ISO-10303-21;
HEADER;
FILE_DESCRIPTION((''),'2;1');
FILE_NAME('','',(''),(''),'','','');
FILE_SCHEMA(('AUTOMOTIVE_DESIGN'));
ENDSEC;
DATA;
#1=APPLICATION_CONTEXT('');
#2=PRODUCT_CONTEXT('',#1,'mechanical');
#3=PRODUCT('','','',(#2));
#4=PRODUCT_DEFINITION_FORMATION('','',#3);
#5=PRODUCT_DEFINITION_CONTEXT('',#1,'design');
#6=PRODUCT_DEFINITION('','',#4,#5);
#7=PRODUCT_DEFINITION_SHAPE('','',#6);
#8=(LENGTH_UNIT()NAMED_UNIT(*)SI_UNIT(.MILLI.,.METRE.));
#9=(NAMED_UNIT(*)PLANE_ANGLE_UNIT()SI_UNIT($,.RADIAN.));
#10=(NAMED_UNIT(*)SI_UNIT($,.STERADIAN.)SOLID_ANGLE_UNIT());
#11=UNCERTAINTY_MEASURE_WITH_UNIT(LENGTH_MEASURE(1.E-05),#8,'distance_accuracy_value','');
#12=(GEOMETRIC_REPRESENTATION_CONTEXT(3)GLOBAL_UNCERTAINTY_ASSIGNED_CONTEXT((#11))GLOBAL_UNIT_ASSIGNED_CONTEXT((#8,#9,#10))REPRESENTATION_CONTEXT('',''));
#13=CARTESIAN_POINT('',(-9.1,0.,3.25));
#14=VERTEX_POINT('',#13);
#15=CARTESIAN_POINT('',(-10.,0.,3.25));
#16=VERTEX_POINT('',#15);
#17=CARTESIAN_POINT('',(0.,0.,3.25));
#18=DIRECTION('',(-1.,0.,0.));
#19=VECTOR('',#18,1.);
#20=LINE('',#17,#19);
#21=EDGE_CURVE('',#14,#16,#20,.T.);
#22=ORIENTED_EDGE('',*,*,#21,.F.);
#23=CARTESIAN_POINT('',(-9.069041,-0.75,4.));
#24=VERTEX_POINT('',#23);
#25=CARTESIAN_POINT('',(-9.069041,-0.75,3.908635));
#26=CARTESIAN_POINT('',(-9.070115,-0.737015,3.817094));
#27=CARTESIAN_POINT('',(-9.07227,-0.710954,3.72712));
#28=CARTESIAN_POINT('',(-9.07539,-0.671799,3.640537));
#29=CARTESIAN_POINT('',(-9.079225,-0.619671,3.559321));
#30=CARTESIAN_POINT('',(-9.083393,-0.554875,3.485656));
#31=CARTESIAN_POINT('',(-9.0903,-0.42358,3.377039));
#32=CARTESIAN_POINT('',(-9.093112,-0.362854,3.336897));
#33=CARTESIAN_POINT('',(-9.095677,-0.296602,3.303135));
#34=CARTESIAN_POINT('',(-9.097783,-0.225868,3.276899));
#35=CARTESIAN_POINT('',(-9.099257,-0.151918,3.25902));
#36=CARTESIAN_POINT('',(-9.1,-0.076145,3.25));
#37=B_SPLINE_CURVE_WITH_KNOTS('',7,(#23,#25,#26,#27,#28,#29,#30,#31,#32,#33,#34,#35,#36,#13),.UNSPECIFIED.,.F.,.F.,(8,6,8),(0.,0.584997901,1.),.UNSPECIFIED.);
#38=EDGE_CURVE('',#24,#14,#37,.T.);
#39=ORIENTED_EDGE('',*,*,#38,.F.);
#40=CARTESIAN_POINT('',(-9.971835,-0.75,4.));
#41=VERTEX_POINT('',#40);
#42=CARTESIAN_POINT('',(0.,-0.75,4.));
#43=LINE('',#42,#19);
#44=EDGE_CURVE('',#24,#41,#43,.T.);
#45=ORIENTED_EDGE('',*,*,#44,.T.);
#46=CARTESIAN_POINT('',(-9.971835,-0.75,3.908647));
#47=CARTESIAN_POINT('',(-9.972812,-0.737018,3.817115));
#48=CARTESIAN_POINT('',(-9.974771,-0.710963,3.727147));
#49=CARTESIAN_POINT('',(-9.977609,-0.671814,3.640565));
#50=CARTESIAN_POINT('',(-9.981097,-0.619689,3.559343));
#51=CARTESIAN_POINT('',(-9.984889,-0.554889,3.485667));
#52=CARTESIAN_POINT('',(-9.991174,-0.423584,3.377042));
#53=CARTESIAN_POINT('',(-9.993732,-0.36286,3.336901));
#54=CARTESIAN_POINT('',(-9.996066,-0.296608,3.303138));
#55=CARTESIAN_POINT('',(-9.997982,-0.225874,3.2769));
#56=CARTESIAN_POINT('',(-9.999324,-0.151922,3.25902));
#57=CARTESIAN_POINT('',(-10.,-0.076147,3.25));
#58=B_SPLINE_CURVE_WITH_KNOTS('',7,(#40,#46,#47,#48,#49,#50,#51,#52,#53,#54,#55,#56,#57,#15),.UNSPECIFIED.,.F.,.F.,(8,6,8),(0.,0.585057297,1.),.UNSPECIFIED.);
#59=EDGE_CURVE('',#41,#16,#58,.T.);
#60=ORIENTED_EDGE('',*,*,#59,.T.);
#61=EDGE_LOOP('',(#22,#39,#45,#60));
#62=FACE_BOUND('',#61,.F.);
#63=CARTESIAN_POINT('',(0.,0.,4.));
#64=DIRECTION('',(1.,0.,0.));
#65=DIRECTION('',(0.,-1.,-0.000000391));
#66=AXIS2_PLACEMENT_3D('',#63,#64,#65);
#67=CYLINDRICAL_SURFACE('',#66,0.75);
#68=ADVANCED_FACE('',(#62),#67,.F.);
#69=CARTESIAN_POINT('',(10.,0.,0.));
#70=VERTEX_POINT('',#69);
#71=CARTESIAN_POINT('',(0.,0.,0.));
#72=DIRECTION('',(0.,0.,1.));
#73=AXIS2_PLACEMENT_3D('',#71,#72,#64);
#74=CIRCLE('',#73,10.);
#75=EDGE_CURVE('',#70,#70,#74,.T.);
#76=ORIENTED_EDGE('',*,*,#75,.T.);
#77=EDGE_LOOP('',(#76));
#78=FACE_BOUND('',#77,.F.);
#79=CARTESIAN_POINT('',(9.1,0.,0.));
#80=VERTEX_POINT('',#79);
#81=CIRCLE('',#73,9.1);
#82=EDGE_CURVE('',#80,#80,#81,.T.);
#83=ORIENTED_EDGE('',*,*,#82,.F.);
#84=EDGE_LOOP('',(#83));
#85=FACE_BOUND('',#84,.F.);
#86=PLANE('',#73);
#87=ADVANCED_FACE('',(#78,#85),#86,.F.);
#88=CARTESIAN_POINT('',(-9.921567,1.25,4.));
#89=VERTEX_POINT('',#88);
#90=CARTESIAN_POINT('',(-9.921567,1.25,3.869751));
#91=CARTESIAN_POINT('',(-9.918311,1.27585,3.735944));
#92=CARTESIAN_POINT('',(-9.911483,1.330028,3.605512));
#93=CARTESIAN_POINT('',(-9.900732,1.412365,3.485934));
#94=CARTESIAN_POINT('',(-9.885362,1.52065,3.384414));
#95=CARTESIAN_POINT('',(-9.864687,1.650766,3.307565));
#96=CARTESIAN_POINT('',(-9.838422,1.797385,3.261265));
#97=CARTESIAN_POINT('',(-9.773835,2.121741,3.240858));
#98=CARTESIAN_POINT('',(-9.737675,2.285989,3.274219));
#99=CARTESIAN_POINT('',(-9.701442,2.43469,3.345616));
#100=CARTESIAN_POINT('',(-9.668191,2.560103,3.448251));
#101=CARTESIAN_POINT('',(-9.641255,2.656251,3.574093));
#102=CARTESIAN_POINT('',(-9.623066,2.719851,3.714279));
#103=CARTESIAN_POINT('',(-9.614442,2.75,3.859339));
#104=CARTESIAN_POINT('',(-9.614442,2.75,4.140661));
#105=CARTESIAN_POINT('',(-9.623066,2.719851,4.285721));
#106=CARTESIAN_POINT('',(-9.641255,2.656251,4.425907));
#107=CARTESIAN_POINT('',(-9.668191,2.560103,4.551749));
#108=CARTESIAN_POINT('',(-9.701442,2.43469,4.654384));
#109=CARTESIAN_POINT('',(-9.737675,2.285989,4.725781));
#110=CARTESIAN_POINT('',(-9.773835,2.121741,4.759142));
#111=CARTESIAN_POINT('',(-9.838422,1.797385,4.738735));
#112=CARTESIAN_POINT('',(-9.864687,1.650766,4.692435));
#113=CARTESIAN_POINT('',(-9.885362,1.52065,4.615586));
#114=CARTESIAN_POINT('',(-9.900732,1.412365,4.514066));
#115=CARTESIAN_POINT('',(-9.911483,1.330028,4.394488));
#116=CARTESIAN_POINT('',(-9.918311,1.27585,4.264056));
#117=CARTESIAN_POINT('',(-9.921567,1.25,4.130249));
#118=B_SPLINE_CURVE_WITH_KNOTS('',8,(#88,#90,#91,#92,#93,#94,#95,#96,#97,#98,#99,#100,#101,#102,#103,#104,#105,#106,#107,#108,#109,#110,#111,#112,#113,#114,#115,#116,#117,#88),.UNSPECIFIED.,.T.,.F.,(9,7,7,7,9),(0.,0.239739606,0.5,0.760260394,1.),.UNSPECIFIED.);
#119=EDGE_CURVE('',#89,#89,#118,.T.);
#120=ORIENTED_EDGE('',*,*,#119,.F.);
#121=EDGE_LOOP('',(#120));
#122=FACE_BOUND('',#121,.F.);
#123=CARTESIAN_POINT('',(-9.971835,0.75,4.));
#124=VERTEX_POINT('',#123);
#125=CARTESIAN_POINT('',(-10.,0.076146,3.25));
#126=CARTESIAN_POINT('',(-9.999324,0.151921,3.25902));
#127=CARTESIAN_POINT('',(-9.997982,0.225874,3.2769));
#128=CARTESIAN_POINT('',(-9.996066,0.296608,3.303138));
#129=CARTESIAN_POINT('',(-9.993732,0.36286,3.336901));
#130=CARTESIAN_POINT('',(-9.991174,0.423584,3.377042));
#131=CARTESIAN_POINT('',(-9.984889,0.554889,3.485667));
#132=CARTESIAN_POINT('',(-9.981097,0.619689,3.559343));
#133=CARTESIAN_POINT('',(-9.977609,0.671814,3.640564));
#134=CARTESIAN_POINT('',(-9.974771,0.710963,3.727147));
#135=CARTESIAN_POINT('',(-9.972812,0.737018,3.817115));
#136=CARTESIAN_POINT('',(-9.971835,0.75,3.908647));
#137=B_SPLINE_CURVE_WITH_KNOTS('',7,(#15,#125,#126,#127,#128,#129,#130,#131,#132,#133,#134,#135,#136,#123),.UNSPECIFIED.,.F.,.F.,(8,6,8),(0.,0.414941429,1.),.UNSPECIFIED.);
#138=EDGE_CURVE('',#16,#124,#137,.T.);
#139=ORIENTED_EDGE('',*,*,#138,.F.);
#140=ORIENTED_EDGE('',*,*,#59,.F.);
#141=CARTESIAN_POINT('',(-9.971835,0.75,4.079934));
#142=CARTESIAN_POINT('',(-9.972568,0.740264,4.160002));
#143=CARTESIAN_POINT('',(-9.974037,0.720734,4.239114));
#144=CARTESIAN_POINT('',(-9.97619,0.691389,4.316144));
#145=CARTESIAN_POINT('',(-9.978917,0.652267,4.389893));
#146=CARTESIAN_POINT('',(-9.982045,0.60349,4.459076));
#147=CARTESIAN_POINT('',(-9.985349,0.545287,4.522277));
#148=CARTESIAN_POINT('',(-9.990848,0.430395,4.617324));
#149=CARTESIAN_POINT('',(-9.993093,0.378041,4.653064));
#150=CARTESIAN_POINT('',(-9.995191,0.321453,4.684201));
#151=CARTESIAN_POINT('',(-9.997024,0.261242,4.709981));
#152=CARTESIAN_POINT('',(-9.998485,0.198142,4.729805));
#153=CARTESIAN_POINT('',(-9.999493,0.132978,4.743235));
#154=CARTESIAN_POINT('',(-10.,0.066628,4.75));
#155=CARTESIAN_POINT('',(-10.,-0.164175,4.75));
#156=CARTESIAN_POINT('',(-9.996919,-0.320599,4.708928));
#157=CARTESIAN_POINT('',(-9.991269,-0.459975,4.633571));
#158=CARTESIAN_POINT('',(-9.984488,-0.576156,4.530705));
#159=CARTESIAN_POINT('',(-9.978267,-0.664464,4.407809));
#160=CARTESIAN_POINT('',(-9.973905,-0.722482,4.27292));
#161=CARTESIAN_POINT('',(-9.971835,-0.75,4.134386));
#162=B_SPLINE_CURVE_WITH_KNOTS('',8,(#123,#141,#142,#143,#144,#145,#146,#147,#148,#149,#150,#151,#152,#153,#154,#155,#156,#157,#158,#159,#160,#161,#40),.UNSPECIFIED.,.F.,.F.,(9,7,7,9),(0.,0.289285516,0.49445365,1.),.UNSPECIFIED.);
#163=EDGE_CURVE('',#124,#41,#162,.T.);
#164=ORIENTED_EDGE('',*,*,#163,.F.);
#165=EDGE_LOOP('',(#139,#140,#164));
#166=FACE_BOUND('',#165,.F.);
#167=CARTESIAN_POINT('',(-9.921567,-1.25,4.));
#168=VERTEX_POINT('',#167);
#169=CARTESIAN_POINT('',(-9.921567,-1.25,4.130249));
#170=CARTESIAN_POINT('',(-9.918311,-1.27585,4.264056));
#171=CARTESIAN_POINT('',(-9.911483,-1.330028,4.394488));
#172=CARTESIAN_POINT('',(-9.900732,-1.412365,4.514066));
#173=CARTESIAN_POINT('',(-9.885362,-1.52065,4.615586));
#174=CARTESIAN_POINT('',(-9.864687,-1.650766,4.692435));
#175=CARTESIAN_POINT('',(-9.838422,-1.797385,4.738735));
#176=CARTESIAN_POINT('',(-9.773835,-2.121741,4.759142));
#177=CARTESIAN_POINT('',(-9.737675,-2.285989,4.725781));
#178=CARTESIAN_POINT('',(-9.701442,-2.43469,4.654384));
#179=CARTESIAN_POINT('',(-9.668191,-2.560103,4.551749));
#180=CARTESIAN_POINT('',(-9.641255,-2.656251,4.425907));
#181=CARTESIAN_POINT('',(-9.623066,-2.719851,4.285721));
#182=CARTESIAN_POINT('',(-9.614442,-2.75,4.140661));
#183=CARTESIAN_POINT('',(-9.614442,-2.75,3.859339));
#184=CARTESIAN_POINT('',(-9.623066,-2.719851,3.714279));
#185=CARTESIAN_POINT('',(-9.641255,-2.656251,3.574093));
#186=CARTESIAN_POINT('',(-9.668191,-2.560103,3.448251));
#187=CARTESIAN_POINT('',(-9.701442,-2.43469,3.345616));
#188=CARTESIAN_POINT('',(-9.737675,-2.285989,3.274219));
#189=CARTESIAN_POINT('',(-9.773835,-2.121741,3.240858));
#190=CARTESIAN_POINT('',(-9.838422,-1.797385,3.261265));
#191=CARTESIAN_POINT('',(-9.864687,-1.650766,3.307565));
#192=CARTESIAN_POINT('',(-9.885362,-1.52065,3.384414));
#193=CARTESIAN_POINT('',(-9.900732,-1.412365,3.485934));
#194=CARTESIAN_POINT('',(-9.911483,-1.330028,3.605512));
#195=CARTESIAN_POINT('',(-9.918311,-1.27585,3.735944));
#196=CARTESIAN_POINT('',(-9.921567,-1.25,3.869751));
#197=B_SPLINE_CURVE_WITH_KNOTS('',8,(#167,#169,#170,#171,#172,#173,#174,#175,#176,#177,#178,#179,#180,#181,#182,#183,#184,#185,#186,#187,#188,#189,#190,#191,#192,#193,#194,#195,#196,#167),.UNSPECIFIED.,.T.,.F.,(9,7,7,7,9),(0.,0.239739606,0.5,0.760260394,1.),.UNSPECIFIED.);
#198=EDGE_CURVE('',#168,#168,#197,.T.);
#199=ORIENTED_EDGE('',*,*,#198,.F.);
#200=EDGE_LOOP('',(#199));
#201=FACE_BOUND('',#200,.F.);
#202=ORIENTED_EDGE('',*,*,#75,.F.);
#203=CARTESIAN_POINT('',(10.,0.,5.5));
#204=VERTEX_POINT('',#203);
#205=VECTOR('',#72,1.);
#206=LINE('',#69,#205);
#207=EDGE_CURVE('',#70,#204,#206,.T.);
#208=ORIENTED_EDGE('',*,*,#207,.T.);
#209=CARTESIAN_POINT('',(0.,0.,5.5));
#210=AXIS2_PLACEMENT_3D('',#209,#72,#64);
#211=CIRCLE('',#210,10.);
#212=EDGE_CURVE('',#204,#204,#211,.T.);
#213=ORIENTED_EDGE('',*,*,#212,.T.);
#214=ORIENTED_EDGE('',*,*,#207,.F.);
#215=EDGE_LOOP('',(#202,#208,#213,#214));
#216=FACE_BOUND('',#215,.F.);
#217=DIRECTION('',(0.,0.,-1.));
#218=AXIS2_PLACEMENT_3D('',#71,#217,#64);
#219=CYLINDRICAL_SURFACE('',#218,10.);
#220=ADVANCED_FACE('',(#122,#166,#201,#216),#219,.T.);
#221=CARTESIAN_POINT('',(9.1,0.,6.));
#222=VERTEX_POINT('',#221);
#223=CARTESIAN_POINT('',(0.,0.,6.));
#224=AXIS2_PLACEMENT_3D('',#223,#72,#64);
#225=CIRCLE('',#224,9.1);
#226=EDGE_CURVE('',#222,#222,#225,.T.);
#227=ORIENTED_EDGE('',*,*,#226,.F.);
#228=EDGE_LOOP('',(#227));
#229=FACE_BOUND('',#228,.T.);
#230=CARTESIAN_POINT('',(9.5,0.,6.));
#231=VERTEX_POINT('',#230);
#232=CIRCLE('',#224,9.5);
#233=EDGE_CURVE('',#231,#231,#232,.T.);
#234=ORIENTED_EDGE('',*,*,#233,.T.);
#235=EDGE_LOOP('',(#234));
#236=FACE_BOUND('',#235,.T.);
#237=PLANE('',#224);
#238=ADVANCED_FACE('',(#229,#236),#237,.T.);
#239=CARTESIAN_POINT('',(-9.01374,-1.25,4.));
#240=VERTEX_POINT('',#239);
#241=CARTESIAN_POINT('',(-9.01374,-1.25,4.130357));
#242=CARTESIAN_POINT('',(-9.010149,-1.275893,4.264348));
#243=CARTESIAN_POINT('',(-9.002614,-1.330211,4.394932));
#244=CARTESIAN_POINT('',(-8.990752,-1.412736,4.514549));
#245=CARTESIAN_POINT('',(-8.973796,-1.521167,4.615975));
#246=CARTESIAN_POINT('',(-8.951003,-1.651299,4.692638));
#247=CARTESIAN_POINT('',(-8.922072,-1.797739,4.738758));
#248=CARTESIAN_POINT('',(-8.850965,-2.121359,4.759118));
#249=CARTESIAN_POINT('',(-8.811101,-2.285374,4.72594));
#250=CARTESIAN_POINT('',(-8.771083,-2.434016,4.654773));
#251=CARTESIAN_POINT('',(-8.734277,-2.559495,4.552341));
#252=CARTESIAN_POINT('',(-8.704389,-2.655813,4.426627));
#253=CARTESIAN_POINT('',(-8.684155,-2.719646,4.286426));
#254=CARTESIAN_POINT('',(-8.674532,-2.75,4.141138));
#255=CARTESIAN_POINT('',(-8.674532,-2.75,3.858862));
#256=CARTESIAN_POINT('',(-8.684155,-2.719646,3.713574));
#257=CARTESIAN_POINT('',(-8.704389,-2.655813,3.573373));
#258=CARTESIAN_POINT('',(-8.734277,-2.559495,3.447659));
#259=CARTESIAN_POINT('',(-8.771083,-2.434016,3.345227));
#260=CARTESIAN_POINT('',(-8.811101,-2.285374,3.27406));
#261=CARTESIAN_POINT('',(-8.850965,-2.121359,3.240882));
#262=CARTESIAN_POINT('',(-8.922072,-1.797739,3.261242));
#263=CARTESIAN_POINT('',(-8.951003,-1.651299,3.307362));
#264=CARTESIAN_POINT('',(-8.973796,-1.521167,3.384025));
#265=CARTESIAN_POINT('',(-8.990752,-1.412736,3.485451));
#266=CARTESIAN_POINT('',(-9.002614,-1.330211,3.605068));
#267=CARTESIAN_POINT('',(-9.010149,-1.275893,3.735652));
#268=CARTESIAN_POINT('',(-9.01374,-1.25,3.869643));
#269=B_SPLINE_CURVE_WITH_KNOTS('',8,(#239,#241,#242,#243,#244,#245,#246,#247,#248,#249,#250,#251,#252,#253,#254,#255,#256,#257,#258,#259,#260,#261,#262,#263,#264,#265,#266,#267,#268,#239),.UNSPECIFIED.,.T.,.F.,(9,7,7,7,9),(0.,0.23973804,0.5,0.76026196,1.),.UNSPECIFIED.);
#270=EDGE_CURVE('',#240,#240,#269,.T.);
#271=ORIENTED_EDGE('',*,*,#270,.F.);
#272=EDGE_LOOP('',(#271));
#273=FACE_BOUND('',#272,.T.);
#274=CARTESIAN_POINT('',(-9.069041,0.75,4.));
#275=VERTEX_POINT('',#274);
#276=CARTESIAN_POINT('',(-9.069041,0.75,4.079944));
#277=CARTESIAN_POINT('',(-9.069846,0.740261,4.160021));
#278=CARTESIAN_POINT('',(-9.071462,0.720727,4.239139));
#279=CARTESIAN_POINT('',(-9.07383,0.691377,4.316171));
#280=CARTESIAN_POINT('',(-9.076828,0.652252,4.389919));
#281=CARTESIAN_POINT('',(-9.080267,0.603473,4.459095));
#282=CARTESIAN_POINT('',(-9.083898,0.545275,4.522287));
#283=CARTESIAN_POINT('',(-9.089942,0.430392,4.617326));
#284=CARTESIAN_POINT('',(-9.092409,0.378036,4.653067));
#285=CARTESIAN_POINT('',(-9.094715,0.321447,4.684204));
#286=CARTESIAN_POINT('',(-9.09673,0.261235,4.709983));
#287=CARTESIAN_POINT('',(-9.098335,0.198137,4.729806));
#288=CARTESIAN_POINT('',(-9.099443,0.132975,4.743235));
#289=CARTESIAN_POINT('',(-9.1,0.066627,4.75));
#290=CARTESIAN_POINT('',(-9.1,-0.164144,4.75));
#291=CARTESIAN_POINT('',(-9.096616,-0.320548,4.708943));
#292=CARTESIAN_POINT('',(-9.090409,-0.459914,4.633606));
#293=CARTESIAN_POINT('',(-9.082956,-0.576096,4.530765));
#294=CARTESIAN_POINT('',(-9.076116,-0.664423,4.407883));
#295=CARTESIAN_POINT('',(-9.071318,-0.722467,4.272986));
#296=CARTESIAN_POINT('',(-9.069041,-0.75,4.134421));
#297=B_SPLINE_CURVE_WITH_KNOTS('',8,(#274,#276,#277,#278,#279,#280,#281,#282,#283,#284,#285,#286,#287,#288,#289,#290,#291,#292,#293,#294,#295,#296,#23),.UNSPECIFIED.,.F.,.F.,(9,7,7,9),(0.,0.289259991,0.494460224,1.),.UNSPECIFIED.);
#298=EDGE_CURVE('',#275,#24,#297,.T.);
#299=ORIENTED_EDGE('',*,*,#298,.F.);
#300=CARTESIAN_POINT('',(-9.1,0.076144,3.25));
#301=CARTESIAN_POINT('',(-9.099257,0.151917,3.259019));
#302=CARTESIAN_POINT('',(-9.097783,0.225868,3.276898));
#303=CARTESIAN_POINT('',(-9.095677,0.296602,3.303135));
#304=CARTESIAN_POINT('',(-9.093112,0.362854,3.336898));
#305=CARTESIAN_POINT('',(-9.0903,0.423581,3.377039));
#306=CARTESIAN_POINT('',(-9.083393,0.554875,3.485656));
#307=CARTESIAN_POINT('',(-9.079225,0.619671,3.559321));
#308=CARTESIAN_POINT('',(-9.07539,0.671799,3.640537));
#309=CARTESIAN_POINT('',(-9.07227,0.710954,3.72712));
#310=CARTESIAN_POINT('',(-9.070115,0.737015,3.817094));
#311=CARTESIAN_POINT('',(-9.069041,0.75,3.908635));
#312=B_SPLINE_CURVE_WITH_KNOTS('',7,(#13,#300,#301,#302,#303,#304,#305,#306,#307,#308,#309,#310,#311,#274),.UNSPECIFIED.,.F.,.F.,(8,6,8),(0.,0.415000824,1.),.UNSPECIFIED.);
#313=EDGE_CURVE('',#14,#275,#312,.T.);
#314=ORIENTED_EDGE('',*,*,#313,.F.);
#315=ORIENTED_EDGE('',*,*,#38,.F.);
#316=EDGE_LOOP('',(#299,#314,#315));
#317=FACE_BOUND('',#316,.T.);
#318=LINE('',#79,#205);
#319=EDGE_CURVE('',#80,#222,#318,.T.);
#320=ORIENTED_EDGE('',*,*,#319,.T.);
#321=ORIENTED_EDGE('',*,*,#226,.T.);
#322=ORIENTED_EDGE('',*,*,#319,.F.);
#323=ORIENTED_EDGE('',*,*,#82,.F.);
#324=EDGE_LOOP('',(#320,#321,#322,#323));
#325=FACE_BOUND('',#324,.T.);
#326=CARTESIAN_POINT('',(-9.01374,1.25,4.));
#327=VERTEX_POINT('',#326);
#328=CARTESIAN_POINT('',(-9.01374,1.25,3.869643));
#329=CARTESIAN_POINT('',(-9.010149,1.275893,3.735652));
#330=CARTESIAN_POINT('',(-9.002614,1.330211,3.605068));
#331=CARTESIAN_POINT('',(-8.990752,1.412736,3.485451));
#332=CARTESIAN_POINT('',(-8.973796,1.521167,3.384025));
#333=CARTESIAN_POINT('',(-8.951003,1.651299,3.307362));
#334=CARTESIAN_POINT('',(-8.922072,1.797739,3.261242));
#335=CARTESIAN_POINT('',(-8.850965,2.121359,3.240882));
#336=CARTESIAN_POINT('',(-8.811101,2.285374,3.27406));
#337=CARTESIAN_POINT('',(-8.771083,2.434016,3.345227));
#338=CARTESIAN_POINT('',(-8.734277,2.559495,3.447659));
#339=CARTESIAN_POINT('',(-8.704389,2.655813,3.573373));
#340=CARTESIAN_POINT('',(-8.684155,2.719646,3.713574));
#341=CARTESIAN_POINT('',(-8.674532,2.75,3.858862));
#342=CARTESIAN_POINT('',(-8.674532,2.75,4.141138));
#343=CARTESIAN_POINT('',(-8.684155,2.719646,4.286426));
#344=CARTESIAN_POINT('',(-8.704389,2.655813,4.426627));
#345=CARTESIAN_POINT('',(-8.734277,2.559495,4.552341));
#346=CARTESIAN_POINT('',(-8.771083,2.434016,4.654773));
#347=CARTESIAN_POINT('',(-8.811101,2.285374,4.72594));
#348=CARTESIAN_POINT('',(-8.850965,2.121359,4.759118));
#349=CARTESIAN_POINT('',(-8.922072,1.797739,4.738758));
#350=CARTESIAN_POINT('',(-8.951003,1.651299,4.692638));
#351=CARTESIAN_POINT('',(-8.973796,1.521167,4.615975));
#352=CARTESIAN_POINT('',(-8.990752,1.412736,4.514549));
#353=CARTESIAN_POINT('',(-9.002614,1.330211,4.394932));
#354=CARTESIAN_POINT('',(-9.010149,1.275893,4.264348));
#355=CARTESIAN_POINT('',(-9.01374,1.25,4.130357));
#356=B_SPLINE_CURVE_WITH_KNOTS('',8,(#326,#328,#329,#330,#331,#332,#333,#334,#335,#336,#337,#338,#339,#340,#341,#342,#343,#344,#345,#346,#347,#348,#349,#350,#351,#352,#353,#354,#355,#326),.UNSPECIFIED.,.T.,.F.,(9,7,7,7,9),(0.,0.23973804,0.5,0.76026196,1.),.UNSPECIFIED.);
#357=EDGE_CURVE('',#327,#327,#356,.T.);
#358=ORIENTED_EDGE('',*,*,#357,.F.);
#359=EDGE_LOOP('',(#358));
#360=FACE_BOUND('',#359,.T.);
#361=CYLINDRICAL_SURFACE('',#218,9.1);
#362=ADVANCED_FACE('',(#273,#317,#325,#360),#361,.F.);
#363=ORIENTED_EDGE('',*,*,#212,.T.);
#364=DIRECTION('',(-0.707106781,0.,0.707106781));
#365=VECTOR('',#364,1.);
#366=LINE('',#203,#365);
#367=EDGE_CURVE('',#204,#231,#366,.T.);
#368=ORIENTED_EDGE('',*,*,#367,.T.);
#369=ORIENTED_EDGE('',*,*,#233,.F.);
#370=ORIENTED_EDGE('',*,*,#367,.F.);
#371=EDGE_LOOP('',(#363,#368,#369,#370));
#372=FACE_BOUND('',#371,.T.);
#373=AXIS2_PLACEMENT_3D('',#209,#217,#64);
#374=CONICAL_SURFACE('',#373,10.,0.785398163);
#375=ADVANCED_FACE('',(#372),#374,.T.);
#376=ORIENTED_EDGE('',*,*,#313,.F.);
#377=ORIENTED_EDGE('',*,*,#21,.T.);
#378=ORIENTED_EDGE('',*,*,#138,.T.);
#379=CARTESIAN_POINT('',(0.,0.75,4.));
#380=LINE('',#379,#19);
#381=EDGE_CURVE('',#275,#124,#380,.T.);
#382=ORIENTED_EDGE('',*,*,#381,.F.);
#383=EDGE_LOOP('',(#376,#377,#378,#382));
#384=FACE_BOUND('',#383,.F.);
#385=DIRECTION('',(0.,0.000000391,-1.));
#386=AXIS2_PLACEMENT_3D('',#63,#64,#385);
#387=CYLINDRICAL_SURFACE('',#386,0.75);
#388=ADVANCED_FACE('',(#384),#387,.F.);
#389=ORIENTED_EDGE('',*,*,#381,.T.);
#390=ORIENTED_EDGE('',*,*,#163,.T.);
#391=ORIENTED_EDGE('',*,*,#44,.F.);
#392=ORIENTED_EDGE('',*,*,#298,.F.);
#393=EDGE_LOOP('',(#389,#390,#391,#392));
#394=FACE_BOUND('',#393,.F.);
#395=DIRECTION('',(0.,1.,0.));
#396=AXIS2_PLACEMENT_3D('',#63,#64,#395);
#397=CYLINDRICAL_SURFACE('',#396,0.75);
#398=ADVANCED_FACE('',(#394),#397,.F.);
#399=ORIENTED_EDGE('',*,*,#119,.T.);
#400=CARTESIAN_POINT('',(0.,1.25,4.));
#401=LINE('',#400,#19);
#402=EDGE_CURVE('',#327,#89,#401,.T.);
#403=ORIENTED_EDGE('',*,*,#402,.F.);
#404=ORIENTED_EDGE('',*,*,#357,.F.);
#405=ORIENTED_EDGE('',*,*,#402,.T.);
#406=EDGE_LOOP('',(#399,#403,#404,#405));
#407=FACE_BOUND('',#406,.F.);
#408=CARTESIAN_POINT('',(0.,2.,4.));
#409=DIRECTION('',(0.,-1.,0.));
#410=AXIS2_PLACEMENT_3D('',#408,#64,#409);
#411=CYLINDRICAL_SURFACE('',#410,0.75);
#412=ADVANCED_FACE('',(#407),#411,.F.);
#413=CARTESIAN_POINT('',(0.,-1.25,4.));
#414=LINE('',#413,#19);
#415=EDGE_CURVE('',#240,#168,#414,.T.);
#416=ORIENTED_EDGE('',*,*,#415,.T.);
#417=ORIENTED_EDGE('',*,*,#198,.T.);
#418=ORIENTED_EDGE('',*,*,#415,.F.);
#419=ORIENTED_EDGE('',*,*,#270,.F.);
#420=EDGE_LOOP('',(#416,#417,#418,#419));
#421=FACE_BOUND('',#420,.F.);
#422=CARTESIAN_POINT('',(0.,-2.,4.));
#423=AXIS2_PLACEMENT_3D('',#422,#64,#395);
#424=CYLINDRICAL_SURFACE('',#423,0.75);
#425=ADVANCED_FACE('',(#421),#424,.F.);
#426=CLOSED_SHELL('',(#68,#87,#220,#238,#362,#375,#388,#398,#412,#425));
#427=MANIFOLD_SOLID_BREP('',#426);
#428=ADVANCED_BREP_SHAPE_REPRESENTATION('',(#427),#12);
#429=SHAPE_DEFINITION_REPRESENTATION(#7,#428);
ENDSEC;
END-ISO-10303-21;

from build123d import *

# Parameters (mm, degrees)
F0_R     = 10
F0_R_2   = 9.1
F1_DEPTH = 6
F2_R     = 0.75
F3_DEPTH = 25
F4_SIZE  = 0.5


with BuildPart() as f1:
    # F0 (on Top) → F1 (new body)
    with BuildSketch(Plane.XY):
        Circle(F0_R)
        Circle(F0_R_2, mode=Mode.SUBTRACT)
    extrude(amount=F1_DEPTH)

    # F2 (on Right) → F3 (cut)
    with BuildSketch(Plane.YZ):
        with BuildLine():
            ThreePointArc((2.75, 4), (2, 4.75), (1.25, 4))
            ThreePointArc((1.25, 4), (2, 3.25), (2.75, 4))
        make_face()
        with BuildLine():
            Line((0, 4), (0, 3.25))
            ThreePointArc((0, 3.25), (0.53033, 3.46967), (0.75, 4))
            Line((0.75, 4), (0, 4))
        make_face()
        with BuildLine():
            Line((-0.75, 4), (0, 4))
            Line((0, 4), (0.75, 4))
            ThreePointArc((0.75, 4), (0, 4.75), (-0.75, 4))
        make_face()
        with BuildLine():
            ThreePointArc((-0.75, 4), (-0.53033, 3.46967), (0, 3.25))
            Line((0, 3.25), (0, 4))
            Line((0, 4), (-0.75, 4))
        make_face()
        with Locations((-2, 4)):
            Circle(F2_R)
    extrude(amount=-F3_DEPTH, mode=Mode.SUBTRACT)

    # F4
    f4_edges = [f1.edges().sort_by_distance(p)[0] for p in [
        (-10, 0, 6),
    ]]
    chamfer(f4_edges, length=F4_SIZE)


solid = f1.part
